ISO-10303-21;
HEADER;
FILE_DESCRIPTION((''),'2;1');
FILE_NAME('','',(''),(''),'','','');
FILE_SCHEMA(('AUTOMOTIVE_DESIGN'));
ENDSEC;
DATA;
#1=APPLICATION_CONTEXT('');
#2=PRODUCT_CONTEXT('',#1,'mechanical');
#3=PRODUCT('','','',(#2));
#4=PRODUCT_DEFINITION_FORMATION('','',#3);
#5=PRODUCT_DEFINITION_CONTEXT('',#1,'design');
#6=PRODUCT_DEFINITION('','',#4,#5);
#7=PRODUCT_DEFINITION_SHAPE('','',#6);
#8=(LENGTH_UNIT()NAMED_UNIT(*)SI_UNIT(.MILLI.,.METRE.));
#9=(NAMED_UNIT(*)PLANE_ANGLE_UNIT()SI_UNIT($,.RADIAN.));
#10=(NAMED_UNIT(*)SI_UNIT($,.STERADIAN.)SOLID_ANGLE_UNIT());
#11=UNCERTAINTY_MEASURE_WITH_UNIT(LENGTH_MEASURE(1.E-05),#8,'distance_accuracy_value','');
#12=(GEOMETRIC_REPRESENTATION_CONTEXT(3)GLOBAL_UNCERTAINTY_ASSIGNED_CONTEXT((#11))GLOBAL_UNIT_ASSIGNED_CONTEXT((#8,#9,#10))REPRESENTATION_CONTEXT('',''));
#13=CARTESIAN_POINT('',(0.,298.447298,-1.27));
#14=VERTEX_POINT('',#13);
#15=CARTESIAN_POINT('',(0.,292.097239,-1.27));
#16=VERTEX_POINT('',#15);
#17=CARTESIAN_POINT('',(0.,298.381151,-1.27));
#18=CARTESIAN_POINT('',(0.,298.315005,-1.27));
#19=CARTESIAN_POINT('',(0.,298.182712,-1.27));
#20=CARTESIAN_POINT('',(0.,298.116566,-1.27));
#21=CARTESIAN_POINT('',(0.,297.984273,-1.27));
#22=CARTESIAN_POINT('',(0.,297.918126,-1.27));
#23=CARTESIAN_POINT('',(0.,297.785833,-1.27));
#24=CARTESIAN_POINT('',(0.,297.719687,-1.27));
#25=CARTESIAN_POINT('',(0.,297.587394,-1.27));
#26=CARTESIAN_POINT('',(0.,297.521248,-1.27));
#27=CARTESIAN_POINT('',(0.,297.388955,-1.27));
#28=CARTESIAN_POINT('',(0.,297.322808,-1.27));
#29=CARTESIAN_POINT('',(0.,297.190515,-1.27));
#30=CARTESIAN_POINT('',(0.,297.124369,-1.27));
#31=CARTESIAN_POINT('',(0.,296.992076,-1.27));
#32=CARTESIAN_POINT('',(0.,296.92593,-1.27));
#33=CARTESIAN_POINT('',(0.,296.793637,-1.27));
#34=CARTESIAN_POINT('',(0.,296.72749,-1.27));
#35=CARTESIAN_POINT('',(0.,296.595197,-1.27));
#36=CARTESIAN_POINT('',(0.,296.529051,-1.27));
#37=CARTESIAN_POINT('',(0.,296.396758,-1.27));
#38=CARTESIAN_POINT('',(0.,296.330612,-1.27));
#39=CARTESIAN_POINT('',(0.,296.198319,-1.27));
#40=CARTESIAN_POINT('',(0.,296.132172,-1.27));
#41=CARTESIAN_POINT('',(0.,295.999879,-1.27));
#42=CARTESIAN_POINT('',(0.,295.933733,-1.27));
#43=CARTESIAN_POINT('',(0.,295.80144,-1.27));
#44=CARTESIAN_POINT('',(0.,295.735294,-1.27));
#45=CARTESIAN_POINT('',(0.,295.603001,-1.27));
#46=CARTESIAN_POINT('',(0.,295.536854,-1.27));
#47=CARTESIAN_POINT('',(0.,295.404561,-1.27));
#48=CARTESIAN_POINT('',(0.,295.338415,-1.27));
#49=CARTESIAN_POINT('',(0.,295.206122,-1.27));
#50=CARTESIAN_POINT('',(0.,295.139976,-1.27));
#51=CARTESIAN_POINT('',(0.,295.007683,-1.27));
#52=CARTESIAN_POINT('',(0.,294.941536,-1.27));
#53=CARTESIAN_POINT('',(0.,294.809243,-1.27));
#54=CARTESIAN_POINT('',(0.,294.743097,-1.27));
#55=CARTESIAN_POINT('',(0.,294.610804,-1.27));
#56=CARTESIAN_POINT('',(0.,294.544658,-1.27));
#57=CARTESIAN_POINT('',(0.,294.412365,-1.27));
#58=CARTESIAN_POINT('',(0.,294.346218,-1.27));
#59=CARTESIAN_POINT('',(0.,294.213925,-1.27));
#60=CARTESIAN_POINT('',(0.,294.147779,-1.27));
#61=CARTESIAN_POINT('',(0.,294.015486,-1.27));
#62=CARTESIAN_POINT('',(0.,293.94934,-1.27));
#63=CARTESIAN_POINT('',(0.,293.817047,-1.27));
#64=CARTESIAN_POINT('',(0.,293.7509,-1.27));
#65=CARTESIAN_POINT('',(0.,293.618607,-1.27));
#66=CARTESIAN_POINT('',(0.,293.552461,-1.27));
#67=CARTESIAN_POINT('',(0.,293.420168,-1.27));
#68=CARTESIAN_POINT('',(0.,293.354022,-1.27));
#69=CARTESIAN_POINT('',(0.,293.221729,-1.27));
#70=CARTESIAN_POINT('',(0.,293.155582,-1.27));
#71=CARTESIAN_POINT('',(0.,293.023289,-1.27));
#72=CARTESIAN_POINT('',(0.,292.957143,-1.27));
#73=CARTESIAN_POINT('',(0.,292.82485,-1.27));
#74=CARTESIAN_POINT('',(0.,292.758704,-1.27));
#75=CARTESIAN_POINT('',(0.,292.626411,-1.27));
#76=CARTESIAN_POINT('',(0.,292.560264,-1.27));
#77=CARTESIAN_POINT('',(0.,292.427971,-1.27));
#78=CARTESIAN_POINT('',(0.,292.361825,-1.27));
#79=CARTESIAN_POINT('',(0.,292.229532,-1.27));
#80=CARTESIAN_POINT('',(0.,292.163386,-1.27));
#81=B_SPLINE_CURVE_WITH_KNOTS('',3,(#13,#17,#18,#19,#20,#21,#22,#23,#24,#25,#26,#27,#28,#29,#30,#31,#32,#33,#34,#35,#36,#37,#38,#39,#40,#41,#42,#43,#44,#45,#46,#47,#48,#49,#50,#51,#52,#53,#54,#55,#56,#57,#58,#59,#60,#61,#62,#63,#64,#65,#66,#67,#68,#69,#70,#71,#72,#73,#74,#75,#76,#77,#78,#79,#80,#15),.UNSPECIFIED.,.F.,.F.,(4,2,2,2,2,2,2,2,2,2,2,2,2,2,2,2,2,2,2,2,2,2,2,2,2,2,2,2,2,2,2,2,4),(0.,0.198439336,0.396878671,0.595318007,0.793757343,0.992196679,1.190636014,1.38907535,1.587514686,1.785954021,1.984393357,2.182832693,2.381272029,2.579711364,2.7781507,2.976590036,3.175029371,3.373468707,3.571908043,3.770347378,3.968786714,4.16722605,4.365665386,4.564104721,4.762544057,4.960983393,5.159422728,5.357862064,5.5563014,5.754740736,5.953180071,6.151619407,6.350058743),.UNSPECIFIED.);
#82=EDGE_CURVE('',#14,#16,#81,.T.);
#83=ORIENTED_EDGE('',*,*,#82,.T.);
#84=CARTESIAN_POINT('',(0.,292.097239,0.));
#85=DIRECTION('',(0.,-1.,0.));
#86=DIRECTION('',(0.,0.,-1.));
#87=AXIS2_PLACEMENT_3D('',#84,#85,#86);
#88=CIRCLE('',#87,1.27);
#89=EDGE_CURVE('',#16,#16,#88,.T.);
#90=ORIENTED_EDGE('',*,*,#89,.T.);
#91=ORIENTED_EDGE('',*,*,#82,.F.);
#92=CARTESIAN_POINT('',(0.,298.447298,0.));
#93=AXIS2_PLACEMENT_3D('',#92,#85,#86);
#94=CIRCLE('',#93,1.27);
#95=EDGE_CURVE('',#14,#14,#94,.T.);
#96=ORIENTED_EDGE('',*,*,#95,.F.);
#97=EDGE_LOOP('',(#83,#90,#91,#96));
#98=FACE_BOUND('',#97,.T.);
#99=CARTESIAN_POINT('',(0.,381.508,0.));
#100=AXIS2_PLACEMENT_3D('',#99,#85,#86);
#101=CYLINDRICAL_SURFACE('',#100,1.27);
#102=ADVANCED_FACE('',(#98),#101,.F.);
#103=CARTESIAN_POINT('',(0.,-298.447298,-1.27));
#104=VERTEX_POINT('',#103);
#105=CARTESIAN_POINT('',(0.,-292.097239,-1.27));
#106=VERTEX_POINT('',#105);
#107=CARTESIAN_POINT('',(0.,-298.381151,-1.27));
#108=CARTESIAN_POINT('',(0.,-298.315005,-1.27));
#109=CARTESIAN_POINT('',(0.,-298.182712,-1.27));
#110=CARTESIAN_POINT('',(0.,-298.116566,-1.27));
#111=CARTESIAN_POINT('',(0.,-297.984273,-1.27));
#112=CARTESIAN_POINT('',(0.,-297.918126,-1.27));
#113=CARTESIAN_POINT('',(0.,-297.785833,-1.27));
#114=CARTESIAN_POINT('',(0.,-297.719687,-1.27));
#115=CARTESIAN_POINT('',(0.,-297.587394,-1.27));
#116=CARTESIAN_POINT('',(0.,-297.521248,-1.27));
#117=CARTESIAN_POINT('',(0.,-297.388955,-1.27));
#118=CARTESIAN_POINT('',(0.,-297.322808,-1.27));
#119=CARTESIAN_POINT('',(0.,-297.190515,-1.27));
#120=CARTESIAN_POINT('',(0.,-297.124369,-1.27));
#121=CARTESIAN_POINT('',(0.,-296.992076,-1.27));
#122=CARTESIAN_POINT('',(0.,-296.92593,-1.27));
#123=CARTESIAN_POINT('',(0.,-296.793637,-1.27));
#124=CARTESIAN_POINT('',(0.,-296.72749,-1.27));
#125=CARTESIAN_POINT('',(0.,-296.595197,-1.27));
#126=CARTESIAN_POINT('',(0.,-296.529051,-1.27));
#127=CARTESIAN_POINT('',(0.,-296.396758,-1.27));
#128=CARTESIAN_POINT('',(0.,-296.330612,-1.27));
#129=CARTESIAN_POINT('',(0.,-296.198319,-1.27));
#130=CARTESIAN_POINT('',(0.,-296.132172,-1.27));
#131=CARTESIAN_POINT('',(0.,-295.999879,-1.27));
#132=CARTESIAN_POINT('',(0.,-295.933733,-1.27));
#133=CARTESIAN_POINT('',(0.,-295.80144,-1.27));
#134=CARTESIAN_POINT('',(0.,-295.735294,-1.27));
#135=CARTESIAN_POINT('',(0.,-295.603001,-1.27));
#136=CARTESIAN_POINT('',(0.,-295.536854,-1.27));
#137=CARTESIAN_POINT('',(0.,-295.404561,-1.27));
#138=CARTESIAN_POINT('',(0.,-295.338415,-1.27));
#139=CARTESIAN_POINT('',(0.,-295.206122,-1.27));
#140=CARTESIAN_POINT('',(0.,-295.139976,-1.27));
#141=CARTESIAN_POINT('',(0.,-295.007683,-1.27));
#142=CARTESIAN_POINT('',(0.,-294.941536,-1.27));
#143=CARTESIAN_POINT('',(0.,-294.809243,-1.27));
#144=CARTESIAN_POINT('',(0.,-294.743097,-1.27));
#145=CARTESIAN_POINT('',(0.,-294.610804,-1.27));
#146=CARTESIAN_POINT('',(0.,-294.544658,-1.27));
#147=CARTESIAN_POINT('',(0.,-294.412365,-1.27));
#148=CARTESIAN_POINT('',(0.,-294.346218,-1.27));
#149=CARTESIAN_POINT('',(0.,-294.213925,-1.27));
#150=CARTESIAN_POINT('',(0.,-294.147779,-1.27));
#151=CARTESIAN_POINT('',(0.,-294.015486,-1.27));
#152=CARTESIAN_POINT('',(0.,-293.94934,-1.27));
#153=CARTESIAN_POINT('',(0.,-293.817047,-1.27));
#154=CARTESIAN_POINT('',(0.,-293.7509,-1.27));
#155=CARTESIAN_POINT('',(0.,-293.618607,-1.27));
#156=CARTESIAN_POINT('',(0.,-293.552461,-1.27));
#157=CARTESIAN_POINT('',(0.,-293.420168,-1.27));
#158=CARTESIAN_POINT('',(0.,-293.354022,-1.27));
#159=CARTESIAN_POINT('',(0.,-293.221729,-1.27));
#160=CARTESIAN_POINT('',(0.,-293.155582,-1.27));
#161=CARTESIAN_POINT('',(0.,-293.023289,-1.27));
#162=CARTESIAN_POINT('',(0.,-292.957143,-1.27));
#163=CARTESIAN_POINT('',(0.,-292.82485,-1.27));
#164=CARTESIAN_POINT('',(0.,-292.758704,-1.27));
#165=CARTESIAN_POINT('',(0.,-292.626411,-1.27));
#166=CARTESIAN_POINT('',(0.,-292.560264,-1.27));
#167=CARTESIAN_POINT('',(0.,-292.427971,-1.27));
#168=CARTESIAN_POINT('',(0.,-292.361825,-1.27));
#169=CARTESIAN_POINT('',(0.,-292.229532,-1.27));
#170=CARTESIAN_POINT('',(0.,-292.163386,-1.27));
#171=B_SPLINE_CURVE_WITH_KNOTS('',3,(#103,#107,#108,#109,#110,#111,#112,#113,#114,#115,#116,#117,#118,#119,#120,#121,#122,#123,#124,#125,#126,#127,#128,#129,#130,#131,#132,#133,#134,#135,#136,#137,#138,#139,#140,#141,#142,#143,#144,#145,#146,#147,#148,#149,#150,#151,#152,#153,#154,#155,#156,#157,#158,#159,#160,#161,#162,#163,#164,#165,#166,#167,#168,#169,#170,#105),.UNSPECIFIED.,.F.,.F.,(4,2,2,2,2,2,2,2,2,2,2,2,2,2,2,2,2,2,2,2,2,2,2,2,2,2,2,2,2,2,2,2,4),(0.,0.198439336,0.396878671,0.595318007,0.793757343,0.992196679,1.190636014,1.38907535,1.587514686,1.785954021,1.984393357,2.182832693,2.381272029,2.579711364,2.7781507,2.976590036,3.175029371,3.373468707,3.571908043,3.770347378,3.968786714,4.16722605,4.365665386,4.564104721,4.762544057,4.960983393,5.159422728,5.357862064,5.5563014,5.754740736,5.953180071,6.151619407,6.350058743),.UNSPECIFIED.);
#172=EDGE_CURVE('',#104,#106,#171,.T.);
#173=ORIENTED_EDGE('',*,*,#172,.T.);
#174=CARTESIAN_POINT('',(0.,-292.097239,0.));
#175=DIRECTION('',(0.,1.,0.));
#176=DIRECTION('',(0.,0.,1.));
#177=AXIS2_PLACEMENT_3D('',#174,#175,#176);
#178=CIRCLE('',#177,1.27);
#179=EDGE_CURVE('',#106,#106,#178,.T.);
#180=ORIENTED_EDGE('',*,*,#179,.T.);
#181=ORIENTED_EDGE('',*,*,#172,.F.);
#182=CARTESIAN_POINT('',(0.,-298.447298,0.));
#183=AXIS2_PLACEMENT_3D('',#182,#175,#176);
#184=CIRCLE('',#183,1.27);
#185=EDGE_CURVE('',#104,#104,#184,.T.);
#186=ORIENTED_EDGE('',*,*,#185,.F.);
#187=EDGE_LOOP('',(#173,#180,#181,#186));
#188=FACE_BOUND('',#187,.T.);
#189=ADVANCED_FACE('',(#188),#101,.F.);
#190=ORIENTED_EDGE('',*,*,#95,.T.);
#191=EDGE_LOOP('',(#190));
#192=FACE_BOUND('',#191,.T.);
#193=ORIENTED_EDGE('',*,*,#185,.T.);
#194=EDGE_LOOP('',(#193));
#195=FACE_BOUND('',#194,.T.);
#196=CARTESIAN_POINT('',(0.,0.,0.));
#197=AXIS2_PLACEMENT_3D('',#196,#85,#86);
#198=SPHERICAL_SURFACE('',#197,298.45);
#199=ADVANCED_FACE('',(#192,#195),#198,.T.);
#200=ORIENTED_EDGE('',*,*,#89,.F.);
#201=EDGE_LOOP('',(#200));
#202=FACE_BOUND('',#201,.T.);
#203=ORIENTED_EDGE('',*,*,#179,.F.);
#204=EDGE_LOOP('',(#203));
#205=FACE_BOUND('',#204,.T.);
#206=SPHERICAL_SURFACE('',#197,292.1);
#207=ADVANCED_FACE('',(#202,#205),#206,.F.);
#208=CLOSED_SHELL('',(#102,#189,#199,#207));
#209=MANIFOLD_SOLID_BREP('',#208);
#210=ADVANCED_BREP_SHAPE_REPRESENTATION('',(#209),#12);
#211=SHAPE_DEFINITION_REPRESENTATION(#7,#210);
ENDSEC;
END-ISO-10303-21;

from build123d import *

# Parameters (mm, degrees)
CUT_EXTRUDE1_DEPTH      = 381.508
CUT_EXTRUDE1_DEPTH_BACK = 401.828
SKETCH2_R               = 1.27


with BuildPart() as part:
    # Sketch1 one side → Revolve3 (revolve)
    with BuildSketch(Plane(origin=(0, 0, 0), x_dir=(1, 0, 0), z_dir=(0, 1, 0))):
        with BuildLine():
            Line((0, 292.1), (0, 298.45))
            ThreePointArc((0, 298.45), (-298.45, 0), (0, -298.45))
            Line((0, -298.45), (0, -292.1))
            ThreePointArc((0, -292.1), (-292.1, 0), (0, 292.1))
        make_face()
    revolve(axis=Axis((0, 0, 0), (0, 0, 1)))

    # Sketch2 → Cut-Extrude1 (cut, two sides: drawn at the far end of the back side and taken through both)
    with BuildSketch(Plane(origin=(0, 0, 0), x_dir=(1, 0, 0), z_dir=(0, 1, 0)).offset(-CUT_EXTRUDE1_DEPTH_BACK)):
        with Locations(Location((0, 0, 0), (0, 0, 90))):
            Circle(SKETCH2_R)
    extrude(amount=CUT_EXTRUDE1_DEPTH + CUT_EXTRUDE1_DEPTH_BACK, mode=Mode.SUBTRACT)


solid = part.part
